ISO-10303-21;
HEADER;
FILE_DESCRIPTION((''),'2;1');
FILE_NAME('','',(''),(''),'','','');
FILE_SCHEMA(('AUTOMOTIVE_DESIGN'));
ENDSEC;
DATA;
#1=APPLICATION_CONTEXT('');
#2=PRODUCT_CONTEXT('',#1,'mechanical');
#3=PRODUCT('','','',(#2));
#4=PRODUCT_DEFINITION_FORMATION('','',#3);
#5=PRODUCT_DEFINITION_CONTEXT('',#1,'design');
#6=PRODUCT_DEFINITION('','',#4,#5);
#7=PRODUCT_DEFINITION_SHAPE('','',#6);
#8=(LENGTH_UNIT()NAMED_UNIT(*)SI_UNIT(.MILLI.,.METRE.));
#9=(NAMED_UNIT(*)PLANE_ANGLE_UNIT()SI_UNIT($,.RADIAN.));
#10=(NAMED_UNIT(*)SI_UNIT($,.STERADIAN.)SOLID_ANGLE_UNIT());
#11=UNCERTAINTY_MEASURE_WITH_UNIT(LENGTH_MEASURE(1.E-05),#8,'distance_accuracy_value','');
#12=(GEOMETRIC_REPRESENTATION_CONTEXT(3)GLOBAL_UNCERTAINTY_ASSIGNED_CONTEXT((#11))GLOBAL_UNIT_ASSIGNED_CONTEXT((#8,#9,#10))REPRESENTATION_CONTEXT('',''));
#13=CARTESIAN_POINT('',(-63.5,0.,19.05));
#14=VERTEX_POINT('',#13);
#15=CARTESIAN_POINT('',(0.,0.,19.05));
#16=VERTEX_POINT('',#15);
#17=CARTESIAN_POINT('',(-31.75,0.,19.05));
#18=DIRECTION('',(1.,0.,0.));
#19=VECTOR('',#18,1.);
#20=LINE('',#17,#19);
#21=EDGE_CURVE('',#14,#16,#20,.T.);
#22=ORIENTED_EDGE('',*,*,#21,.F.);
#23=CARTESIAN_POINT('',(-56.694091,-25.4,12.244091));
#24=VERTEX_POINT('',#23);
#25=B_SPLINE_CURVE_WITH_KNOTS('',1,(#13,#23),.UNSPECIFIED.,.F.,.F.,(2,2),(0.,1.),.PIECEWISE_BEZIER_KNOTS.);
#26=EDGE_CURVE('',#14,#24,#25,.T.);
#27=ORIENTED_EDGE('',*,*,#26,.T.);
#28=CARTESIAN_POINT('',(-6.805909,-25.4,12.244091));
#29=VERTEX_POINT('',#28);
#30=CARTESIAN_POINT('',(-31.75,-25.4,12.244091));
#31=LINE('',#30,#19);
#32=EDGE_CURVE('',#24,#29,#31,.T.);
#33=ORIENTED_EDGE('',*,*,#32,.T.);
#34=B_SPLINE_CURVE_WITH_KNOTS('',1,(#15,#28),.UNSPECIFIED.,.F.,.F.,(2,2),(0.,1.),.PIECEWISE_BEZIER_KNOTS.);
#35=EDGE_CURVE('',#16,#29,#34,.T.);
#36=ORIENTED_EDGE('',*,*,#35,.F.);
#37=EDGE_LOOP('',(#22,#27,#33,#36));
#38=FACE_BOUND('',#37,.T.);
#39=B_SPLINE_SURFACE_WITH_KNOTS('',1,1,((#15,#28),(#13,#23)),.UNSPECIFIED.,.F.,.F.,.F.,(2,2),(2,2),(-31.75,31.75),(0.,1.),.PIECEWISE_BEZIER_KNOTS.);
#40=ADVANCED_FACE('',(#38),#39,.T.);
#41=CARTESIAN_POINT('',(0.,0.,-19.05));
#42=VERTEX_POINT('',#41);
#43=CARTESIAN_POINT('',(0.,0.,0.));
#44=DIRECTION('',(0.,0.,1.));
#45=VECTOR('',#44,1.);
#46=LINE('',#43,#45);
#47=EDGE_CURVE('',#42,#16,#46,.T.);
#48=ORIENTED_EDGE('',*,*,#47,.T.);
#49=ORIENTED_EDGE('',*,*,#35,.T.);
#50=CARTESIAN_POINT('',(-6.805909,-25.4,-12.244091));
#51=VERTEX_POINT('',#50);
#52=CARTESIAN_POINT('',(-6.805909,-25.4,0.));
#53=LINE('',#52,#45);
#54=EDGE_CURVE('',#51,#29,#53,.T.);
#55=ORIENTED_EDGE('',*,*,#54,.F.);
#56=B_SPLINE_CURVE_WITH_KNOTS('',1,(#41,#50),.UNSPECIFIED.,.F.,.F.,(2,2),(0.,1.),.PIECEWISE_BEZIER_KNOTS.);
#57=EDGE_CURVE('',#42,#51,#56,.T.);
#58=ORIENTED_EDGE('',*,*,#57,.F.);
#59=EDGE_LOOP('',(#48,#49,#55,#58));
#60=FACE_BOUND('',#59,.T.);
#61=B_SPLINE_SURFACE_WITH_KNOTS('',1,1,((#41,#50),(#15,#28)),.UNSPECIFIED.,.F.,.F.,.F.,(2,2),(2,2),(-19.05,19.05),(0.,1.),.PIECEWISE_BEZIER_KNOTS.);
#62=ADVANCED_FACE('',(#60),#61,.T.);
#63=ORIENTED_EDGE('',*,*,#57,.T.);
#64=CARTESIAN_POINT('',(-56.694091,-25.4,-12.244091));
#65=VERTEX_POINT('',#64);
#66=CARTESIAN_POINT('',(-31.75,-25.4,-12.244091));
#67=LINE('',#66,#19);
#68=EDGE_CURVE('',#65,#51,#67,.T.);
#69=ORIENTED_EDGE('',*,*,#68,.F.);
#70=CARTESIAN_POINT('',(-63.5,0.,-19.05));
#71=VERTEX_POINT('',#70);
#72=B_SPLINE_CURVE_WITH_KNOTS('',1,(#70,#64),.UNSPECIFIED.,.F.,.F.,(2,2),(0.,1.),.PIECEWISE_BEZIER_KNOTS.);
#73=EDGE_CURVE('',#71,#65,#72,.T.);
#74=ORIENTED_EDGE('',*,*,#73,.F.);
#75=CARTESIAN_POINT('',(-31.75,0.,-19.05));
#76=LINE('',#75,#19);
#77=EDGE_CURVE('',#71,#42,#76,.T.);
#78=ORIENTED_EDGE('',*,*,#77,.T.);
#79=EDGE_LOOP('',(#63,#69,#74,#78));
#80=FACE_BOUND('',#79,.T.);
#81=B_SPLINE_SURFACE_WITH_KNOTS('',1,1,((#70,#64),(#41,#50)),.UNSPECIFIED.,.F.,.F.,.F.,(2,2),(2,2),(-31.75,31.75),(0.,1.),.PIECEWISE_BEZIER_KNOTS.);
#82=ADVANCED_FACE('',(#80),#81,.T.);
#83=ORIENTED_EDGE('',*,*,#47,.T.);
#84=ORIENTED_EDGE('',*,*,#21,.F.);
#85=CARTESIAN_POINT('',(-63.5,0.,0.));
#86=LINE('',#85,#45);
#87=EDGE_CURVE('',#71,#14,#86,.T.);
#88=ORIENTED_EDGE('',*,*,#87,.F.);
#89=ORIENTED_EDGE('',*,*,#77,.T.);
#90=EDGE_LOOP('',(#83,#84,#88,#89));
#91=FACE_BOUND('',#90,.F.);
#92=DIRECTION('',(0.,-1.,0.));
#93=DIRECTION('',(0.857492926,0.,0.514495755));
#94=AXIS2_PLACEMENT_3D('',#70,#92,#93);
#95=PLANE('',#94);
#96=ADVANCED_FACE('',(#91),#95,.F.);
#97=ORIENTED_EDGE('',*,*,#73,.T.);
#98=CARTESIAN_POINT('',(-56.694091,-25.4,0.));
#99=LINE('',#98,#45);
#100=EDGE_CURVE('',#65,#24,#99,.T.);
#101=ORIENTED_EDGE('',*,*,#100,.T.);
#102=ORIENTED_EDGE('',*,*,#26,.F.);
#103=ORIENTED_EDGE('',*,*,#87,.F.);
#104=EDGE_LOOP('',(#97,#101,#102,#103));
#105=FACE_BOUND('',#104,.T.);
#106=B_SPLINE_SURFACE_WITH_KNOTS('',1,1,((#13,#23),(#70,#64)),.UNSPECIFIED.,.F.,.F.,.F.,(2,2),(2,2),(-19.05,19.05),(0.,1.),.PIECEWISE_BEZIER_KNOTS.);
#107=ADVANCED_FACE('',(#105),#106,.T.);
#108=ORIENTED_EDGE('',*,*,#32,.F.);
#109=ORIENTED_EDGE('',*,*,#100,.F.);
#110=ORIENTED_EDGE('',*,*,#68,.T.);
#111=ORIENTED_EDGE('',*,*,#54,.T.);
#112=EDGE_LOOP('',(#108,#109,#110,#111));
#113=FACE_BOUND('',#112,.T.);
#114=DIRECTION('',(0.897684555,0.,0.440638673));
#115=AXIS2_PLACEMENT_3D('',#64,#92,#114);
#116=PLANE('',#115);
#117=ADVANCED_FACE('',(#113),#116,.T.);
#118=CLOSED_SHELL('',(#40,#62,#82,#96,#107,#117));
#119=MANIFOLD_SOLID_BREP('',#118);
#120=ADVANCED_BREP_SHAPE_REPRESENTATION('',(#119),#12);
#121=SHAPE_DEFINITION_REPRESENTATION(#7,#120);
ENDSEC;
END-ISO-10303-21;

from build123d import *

# Parameters (mm, degrees)
F0_W     = 63.5
F0_H     = 38.1
F1_DEPTH = 25.4
F1_TAPER = 15


with BuildPart() as f1:
    # F0 (on Front) → F1 (new body)
    with BuildSketch(Plane.XZ):
        with Locations((-31.75, 0)):
            Rectangle(F0_W, F0_H)
    extrude(amount=F1_DEPTH, taper=F1_TAPER)


solid = f1.part
